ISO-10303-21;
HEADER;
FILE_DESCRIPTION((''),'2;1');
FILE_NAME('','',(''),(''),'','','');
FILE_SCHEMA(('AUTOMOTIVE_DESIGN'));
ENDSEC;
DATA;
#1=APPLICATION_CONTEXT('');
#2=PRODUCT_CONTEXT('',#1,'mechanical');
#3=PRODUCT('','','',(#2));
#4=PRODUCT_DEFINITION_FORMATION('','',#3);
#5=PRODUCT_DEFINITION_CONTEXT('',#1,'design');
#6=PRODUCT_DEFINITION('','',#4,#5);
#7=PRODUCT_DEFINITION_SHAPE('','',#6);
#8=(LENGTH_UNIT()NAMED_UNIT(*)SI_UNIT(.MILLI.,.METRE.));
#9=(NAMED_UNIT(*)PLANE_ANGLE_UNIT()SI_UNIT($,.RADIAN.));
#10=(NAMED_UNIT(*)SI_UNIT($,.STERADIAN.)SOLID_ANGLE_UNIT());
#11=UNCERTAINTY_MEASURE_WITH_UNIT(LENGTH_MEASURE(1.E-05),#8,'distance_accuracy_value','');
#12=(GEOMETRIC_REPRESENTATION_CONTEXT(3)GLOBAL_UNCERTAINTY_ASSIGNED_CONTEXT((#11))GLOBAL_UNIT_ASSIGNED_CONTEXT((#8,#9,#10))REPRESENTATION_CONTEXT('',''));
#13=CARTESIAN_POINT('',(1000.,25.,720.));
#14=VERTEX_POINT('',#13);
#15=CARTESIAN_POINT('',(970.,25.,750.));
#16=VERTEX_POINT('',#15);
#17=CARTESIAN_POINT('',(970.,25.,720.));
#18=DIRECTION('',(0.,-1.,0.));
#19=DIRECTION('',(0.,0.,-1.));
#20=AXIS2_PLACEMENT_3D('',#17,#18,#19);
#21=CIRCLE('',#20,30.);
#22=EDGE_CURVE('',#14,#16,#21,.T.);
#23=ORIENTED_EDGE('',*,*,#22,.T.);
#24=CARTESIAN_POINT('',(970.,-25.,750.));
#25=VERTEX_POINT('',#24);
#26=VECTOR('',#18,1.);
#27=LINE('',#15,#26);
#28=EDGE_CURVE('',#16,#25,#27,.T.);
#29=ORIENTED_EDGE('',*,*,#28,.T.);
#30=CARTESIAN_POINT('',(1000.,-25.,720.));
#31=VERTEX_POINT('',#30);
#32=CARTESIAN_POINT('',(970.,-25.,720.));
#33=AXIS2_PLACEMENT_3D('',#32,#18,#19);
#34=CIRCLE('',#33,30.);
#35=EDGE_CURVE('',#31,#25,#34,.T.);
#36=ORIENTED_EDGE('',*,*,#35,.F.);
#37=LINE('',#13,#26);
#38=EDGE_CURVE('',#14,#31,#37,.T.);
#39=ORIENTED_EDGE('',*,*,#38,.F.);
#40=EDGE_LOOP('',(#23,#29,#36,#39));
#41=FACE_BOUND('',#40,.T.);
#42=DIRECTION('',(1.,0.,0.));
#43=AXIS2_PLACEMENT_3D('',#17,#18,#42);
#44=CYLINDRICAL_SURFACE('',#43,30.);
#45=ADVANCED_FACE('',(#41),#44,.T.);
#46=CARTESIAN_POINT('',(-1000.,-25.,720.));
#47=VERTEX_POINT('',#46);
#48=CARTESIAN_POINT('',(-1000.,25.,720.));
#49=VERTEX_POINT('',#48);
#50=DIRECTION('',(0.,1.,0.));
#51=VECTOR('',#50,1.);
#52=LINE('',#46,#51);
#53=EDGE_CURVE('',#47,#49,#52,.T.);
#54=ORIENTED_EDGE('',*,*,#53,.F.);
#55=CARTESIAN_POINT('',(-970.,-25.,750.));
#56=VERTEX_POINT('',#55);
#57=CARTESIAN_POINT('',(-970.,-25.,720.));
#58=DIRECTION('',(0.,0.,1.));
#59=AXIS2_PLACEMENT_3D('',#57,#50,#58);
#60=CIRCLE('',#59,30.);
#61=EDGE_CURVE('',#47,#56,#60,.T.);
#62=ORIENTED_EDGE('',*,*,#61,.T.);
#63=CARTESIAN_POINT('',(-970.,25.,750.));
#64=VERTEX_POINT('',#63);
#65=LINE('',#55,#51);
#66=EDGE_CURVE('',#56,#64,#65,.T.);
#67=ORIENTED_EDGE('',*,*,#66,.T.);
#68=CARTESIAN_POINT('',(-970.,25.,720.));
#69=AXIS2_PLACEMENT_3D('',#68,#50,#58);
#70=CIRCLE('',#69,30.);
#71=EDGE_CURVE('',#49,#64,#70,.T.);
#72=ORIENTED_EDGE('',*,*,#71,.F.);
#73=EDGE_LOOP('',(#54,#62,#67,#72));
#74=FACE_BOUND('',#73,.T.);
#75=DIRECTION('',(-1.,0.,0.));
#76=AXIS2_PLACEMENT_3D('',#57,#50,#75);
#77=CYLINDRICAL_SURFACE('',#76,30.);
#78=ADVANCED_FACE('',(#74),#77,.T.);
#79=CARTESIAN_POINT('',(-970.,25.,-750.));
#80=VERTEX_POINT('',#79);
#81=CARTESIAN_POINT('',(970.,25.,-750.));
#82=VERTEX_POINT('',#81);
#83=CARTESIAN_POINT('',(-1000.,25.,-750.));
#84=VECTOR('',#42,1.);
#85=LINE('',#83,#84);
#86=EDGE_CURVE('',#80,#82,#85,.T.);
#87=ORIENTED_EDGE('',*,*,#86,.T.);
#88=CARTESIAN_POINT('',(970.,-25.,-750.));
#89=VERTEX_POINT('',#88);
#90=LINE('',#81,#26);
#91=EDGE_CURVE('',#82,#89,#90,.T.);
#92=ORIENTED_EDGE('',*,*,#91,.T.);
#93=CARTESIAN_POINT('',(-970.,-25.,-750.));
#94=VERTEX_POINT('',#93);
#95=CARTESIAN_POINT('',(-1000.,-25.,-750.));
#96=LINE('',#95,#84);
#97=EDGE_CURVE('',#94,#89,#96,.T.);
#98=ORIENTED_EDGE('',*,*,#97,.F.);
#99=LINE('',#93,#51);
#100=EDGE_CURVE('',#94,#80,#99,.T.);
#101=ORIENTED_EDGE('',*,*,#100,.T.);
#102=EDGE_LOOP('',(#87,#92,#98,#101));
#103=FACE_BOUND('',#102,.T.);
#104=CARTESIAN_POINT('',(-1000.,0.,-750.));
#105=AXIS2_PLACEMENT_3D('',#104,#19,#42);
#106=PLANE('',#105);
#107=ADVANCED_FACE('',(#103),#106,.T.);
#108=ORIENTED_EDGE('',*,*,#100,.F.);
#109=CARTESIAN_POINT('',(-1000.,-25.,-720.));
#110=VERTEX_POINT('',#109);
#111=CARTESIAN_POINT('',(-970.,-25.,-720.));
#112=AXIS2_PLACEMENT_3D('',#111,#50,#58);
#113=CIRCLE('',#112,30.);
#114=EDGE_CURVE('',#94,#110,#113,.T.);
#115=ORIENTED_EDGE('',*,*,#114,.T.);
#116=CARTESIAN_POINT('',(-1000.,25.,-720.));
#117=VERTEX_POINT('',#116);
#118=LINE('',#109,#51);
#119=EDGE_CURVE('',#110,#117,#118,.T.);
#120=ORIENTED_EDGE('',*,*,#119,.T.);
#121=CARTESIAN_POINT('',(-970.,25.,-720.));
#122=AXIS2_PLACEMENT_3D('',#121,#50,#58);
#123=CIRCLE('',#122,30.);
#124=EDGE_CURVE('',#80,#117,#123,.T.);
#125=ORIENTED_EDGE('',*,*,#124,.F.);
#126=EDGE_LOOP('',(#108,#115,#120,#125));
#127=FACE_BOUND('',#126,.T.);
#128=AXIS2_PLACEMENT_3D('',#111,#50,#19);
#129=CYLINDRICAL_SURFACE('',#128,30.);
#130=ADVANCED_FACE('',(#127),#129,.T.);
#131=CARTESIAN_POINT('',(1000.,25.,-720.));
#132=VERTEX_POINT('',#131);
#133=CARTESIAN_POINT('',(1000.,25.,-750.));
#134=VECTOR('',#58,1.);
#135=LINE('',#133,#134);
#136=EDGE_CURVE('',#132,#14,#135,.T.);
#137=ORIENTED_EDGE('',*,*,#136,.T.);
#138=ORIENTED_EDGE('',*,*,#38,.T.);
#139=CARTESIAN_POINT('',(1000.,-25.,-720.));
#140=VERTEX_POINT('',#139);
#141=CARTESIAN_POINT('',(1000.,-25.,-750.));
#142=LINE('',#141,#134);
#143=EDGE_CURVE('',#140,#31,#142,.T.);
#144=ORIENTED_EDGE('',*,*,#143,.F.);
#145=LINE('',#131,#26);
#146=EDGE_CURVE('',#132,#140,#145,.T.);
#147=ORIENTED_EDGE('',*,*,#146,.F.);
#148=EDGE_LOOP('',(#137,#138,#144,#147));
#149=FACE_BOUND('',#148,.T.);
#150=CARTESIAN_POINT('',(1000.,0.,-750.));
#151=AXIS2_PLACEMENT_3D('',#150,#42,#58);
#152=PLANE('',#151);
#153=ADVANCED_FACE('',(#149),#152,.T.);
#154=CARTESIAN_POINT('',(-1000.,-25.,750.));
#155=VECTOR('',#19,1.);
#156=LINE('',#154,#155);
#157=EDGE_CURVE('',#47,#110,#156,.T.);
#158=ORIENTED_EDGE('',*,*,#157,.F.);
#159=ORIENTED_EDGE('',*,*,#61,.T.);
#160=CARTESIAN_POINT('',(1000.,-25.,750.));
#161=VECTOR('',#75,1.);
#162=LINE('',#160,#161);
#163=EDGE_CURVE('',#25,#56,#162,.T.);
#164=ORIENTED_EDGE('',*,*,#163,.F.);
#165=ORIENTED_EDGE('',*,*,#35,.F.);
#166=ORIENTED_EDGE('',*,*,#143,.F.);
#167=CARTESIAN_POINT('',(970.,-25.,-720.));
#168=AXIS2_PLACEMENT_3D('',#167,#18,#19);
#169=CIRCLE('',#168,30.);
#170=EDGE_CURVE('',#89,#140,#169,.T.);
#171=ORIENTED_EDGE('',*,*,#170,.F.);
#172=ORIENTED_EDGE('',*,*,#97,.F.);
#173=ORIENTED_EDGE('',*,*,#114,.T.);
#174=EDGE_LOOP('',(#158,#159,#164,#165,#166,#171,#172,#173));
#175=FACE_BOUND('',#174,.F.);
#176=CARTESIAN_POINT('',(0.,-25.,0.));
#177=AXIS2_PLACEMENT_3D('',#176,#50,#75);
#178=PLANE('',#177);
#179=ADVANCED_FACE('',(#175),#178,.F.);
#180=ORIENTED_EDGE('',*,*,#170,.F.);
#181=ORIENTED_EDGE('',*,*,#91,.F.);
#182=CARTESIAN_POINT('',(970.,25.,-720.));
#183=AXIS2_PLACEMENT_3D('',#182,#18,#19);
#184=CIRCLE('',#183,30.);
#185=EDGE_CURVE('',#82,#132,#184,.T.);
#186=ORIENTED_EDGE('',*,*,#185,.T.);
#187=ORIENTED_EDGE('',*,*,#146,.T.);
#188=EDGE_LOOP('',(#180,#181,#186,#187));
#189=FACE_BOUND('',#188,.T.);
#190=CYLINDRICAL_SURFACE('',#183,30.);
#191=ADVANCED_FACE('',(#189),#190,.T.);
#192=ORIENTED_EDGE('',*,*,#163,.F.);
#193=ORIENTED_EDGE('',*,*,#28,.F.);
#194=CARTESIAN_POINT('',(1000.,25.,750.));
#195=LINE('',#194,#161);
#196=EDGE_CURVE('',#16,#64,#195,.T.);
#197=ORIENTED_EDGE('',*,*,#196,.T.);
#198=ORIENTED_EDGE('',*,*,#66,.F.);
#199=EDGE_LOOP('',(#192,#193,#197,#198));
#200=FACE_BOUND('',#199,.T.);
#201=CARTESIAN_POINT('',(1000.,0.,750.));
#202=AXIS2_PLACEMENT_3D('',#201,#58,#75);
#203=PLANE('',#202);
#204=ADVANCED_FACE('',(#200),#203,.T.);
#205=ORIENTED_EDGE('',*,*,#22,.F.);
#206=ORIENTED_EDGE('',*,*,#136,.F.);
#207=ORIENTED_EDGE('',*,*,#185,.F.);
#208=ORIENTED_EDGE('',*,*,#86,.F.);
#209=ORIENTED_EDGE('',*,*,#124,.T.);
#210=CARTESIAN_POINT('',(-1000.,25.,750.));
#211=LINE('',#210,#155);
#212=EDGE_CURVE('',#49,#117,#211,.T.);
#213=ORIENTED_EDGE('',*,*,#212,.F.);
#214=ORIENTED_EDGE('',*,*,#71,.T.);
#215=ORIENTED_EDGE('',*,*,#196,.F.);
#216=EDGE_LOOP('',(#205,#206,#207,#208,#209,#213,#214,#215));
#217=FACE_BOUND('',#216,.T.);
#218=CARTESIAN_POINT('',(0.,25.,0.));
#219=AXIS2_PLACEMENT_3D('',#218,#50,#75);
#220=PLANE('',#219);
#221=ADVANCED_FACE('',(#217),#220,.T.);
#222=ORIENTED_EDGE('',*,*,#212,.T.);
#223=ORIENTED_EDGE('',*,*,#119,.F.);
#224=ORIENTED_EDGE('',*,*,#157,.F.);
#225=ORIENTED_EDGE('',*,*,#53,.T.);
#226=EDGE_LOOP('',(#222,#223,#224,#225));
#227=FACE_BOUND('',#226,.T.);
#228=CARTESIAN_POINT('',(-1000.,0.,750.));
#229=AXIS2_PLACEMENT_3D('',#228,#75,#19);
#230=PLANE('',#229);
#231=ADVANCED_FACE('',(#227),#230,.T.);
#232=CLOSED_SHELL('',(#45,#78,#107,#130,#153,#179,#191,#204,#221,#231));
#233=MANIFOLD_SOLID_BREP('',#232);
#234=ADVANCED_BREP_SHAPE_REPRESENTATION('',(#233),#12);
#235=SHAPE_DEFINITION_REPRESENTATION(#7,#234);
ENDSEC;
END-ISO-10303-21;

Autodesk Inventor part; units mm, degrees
sketch "Sketch2" plane through (0, 0, 0) normal (0, 1, 0) x (-1, 0, 0)
  line L0 (1000, -750) -> (-1000, -750)
  line L1 (-1000, -750) -> (-1000, 750)
  line L2 (-1000, 750) -> (1000, 750)
  line L3 (1000, 750) -> (1000, -750)
  line L4 (1000, -750) -> (-1000, 750) construction
  line L5 (-1000, -750) -> (1000, 750) construction
  point P0 (0, 0)
  dimension "d0" = 2000
  dimension "d1" = 1500
extrude "Extrusion1" add sketch "Sketch2" along normal mid plane 50
fillet "Fillet1" radius 30 4 edges at (1000, 0, -750) (1000, 0, 750) (-1000, 0, 750) (-1000, 0, -750)
properties part number "maquete_001_001" material "Wood (Birch)"
